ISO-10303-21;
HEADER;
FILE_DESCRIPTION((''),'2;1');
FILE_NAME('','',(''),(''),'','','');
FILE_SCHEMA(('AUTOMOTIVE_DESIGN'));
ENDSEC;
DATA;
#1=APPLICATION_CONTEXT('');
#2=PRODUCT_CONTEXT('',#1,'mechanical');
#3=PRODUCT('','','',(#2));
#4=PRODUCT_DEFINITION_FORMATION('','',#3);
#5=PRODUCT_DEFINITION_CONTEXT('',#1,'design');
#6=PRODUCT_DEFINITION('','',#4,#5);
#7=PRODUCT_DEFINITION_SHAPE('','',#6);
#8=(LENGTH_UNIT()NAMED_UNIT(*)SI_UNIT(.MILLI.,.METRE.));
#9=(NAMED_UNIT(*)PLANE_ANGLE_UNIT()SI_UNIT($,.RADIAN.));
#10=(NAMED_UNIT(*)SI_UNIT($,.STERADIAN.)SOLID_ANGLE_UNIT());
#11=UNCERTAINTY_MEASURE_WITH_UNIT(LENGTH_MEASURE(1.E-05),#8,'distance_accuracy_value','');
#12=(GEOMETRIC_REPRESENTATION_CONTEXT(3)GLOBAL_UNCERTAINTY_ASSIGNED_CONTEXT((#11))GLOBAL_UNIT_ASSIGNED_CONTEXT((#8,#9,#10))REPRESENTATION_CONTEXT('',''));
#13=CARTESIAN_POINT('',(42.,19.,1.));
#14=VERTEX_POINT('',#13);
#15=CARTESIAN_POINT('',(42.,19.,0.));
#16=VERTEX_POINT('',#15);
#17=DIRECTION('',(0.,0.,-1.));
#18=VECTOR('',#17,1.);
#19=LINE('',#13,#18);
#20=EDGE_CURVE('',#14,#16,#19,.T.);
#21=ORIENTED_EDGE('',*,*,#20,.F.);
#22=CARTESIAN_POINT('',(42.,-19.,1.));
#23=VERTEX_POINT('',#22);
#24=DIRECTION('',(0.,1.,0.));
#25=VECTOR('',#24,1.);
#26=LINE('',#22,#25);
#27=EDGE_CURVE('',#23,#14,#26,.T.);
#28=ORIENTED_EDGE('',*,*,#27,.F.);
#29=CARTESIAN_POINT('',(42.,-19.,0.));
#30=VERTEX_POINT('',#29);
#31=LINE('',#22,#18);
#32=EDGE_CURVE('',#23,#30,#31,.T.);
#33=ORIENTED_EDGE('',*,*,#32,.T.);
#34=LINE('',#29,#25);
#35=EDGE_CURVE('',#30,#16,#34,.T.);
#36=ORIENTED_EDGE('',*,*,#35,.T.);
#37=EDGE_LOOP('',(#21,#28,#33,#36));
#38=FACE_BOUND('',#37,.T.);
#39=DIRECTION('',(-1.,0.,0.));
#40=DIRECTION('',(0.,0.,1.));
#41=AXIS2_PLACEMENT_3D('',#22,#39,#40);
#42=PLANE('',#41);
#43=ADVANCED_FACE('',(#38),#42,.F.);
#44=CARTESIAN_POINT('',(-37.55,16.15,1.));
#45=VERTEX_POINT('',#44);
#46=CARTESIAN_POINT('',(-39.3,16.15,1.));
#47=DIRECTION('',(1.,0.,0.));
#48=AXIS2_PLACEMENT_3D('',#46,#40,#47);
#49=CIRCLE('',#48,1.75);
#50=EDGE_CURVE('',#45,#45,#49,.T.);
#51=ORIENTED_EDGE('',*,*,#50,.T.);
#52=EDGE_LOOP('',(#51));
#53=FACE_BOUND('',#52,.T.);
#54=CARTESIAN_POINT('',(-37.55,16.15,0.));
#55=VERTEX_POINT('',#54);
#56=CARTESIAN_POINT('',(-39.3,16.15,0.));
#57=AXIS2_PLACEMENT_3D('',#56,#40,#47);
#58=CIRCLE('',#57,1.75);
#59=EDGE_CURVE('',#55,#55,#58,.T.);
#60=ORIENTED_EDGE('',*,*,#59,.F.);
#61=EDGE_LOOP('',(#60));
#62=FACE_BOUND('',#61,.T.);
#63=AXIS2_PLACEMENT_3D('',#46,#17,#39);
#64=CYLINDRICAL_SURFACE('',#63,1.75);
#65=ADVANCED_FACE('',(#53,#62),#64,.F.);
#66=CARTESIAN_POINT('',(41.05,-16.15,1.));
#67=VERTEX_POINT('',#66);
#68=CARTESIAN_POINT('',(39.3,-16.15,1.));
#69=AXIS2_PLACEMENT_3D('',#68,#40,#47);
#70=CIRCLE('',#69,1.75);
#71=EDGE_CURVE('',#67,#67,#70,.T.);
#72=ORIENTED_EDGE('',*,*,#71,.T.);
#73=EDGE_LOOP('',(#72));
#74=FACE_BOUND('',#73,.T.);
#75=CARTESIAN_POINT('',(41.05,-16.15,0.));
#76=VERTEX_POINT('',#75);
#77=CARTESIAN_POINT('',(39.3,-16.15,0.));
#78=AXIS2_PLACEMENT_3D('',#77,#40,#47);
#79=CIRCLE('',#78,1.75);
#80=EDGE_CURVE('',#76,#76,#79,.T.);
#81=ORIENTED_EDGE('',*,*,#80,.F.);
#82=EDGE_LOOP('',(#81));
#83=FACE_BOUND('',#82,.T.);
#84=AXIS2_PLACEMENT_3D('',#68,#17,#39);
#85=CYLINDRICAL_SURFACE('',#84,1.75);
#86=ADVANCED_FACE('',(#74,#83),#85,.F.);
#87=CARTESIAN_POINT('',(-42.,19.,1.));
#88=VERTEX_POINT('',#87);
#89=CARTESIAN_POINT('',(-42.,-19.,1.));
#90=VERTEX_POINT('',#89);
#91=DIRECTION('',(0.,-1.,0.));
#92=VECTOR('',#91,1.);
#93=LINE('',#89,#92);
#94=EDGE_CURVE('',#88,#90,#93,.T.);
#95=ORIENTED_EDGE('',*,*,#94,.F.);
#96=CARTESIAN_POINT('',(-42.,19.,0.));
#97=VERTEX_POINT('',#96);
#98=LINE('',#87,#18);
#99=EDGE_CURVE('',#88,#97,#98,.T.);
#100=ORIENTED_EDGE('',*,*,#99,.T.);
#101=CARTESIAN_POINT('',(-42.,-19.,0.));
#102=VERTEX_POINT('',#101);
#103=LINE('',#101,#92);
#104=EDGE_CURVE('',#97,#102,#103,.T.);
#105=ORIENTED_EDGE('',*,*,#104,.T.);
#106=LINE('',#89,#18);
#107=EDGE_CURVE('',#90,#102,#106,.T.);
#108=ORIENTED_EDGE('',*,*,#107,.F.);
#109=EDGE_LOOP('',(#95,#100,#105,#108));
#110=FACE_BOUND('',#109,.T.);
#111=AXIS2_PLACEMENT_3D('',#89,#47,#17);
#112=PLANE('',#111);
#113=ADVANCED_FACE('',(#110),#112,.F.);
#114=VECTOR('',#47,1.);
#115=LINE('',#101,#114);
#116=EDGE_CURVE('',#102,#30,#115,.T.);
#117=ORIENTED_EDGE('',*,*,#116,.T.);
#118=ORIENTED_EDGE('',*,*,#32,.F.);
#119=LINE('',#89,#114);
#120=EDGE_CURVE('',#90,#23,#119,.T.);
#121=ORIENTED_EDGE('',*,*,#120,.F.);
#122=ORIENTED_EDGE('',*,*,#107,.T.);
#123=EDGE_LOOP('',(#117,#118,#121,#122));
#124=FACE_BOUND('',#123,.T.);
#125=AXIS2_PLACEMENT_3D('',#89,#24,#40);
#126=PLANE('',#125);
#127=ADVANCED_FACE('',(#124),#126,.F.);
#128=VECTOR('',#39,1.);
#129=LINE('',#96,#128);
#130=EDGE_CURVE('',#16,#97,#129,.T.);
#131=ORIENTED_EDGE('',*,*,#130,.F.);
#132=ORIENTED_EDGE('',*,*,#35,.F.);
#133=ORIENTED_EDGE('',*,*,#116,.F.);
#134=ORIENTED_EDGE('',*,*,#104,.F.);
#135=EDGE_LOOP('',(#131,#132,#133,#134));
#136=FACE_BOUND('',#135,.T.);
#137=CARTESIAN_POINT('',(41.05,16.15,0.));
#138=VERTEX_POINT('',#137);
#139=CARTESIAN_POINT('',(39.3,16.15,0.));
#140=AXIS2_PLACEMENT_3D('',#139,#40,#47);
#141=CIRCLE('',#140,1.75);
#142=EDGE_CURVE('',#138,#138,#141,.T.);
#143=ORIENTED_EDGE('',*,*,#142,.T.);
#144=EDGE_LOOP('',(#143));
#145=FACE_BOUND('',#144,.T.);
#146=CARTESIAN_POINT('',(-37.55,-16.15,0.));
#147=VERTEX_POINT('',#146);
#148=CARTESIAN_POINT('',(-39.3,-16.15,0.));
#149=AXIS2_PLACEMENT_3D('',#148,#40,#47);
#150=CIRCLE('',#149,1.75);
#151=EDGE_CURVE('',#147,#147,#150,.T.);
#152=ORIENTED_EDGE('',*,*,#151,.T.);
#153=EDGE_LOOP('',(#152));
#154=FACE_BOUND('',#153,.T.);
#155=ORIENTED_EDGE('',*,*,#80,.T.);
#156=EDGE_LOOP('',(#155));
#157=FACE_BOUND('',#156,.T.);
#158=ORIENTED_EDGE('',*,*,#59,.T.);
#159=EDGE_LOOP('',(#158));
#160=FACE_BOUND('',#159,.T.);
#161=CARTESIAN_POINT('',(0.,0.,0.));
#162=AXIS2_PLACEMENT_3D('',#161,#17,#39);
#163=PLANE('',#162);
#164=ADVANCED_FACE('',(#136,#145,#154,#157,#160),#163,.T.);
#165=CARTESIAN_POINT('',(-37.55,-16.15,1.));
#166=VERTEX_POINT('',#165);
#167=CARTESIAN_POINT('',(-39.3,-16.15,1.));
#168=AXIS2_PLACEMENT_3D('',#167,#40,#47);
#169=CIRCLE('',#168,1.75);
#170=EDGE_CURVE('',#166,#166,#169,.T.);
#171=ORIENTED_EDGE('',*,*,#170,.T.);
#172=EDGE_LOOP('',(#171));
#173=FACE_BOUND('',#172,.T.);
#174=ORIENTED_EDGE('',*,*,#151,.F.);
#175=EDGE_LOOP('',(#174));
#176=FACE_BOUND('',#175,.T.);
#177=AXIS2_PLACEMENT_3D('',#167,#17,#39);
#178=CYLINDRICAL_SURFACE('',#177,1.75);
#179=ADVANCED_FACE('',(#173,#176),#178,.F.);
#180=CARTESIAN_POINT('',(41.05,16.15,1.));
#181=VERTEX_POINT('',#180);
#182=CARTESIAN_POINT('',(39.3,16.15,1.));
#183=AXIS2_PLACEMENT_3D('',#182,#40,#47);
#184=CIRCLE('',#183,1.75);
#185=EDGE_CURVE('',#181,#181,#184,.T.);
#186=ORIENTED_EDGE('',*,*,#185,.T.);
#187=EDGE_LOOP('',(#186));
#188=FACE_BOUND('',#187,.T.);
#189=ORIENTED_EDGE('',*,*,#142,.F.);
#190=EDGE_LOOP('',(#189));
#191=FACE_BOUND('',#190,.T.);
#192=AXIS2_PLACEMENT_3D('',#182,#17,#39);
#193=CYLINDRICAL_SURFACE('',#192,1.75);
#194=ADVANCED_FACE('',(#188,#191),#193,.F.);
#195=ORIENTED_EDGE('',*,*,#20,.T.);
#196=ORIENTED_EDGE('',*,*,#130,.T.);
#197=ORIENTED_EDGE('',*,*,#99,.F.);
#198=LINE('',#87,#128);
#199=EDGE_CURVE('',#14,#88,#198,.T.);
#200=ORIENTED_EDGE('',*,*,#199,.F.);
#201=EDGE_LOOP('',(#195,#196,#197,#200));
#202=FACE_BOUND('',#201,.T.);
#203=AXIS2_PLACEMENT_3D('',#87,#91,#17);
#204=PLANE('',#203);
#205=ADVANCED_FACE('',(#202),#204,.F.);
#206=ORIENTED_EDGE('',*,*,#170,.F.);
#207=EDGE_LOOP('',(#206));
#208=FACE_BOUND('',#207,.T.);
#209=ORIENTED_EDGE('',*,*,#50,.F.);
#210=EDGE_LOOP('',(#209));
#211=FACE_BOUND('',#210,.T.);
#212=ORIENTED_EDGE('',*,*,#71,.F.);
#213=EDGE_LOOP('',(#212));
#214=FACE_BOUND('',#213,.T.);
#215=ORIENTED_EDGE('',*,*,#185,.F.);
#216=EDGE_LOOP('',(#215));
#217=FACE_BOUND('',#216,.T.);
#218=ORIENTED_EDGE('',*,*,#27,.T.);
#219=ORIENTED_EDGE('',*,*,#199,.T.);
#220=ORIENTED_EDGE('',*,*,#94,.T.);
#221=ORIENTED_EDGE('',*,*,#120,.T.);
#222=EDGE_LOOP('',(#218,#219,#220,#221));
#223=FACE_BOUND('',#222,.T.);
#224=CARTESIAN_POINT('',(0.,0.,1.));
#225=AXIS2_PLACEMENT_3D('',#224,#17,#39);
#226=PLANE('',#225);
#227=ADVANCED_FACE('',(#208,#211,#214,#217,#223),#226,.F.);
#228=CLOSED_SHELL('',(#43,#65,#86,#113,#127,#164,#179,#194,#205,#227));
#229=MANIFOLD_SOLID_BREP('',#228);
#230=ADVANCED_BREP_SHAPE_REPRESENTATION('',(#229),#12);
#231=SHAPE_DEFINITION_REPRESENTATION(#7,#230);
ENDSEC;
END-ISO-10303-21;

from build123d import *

# Parameters (mm, degrees)
ESBO_O1_W                = 84
ESBO_O1_H                = 38
ESBO_O1_R                = 1.75
RESSALTO_EXTRUS_O1_DEPTH = 1


with BuildPart() as part:
    # Esboço1 → Ressalto-extrusão1 (new body)
    with BuildSketch(Plane.XY):
        Rectangle(ESBO_O1_W, ESBO_O1_H)
        with Locations((-39.3, 16.15)):
            Circle(ESBO_O1_R, mode=Mode.SUBTRACT)
        with Locations((39.3, 16.15)):
            Circle(ESBO_O1_R, mode=Mode.SUBTRACT)
        with Locations((-39.3, -16.15)):
            Circle(ESBO_O1_R, mode=Mode.SUBTRACT)
        with Locations((39.3, -16.15)):
            Circle(ESBO_O1_R, mode=Mode.SUBTRACT)
    extrude(amount=RESSALTO_EXTRUS_O1_DEPTH)


solid = part.part
